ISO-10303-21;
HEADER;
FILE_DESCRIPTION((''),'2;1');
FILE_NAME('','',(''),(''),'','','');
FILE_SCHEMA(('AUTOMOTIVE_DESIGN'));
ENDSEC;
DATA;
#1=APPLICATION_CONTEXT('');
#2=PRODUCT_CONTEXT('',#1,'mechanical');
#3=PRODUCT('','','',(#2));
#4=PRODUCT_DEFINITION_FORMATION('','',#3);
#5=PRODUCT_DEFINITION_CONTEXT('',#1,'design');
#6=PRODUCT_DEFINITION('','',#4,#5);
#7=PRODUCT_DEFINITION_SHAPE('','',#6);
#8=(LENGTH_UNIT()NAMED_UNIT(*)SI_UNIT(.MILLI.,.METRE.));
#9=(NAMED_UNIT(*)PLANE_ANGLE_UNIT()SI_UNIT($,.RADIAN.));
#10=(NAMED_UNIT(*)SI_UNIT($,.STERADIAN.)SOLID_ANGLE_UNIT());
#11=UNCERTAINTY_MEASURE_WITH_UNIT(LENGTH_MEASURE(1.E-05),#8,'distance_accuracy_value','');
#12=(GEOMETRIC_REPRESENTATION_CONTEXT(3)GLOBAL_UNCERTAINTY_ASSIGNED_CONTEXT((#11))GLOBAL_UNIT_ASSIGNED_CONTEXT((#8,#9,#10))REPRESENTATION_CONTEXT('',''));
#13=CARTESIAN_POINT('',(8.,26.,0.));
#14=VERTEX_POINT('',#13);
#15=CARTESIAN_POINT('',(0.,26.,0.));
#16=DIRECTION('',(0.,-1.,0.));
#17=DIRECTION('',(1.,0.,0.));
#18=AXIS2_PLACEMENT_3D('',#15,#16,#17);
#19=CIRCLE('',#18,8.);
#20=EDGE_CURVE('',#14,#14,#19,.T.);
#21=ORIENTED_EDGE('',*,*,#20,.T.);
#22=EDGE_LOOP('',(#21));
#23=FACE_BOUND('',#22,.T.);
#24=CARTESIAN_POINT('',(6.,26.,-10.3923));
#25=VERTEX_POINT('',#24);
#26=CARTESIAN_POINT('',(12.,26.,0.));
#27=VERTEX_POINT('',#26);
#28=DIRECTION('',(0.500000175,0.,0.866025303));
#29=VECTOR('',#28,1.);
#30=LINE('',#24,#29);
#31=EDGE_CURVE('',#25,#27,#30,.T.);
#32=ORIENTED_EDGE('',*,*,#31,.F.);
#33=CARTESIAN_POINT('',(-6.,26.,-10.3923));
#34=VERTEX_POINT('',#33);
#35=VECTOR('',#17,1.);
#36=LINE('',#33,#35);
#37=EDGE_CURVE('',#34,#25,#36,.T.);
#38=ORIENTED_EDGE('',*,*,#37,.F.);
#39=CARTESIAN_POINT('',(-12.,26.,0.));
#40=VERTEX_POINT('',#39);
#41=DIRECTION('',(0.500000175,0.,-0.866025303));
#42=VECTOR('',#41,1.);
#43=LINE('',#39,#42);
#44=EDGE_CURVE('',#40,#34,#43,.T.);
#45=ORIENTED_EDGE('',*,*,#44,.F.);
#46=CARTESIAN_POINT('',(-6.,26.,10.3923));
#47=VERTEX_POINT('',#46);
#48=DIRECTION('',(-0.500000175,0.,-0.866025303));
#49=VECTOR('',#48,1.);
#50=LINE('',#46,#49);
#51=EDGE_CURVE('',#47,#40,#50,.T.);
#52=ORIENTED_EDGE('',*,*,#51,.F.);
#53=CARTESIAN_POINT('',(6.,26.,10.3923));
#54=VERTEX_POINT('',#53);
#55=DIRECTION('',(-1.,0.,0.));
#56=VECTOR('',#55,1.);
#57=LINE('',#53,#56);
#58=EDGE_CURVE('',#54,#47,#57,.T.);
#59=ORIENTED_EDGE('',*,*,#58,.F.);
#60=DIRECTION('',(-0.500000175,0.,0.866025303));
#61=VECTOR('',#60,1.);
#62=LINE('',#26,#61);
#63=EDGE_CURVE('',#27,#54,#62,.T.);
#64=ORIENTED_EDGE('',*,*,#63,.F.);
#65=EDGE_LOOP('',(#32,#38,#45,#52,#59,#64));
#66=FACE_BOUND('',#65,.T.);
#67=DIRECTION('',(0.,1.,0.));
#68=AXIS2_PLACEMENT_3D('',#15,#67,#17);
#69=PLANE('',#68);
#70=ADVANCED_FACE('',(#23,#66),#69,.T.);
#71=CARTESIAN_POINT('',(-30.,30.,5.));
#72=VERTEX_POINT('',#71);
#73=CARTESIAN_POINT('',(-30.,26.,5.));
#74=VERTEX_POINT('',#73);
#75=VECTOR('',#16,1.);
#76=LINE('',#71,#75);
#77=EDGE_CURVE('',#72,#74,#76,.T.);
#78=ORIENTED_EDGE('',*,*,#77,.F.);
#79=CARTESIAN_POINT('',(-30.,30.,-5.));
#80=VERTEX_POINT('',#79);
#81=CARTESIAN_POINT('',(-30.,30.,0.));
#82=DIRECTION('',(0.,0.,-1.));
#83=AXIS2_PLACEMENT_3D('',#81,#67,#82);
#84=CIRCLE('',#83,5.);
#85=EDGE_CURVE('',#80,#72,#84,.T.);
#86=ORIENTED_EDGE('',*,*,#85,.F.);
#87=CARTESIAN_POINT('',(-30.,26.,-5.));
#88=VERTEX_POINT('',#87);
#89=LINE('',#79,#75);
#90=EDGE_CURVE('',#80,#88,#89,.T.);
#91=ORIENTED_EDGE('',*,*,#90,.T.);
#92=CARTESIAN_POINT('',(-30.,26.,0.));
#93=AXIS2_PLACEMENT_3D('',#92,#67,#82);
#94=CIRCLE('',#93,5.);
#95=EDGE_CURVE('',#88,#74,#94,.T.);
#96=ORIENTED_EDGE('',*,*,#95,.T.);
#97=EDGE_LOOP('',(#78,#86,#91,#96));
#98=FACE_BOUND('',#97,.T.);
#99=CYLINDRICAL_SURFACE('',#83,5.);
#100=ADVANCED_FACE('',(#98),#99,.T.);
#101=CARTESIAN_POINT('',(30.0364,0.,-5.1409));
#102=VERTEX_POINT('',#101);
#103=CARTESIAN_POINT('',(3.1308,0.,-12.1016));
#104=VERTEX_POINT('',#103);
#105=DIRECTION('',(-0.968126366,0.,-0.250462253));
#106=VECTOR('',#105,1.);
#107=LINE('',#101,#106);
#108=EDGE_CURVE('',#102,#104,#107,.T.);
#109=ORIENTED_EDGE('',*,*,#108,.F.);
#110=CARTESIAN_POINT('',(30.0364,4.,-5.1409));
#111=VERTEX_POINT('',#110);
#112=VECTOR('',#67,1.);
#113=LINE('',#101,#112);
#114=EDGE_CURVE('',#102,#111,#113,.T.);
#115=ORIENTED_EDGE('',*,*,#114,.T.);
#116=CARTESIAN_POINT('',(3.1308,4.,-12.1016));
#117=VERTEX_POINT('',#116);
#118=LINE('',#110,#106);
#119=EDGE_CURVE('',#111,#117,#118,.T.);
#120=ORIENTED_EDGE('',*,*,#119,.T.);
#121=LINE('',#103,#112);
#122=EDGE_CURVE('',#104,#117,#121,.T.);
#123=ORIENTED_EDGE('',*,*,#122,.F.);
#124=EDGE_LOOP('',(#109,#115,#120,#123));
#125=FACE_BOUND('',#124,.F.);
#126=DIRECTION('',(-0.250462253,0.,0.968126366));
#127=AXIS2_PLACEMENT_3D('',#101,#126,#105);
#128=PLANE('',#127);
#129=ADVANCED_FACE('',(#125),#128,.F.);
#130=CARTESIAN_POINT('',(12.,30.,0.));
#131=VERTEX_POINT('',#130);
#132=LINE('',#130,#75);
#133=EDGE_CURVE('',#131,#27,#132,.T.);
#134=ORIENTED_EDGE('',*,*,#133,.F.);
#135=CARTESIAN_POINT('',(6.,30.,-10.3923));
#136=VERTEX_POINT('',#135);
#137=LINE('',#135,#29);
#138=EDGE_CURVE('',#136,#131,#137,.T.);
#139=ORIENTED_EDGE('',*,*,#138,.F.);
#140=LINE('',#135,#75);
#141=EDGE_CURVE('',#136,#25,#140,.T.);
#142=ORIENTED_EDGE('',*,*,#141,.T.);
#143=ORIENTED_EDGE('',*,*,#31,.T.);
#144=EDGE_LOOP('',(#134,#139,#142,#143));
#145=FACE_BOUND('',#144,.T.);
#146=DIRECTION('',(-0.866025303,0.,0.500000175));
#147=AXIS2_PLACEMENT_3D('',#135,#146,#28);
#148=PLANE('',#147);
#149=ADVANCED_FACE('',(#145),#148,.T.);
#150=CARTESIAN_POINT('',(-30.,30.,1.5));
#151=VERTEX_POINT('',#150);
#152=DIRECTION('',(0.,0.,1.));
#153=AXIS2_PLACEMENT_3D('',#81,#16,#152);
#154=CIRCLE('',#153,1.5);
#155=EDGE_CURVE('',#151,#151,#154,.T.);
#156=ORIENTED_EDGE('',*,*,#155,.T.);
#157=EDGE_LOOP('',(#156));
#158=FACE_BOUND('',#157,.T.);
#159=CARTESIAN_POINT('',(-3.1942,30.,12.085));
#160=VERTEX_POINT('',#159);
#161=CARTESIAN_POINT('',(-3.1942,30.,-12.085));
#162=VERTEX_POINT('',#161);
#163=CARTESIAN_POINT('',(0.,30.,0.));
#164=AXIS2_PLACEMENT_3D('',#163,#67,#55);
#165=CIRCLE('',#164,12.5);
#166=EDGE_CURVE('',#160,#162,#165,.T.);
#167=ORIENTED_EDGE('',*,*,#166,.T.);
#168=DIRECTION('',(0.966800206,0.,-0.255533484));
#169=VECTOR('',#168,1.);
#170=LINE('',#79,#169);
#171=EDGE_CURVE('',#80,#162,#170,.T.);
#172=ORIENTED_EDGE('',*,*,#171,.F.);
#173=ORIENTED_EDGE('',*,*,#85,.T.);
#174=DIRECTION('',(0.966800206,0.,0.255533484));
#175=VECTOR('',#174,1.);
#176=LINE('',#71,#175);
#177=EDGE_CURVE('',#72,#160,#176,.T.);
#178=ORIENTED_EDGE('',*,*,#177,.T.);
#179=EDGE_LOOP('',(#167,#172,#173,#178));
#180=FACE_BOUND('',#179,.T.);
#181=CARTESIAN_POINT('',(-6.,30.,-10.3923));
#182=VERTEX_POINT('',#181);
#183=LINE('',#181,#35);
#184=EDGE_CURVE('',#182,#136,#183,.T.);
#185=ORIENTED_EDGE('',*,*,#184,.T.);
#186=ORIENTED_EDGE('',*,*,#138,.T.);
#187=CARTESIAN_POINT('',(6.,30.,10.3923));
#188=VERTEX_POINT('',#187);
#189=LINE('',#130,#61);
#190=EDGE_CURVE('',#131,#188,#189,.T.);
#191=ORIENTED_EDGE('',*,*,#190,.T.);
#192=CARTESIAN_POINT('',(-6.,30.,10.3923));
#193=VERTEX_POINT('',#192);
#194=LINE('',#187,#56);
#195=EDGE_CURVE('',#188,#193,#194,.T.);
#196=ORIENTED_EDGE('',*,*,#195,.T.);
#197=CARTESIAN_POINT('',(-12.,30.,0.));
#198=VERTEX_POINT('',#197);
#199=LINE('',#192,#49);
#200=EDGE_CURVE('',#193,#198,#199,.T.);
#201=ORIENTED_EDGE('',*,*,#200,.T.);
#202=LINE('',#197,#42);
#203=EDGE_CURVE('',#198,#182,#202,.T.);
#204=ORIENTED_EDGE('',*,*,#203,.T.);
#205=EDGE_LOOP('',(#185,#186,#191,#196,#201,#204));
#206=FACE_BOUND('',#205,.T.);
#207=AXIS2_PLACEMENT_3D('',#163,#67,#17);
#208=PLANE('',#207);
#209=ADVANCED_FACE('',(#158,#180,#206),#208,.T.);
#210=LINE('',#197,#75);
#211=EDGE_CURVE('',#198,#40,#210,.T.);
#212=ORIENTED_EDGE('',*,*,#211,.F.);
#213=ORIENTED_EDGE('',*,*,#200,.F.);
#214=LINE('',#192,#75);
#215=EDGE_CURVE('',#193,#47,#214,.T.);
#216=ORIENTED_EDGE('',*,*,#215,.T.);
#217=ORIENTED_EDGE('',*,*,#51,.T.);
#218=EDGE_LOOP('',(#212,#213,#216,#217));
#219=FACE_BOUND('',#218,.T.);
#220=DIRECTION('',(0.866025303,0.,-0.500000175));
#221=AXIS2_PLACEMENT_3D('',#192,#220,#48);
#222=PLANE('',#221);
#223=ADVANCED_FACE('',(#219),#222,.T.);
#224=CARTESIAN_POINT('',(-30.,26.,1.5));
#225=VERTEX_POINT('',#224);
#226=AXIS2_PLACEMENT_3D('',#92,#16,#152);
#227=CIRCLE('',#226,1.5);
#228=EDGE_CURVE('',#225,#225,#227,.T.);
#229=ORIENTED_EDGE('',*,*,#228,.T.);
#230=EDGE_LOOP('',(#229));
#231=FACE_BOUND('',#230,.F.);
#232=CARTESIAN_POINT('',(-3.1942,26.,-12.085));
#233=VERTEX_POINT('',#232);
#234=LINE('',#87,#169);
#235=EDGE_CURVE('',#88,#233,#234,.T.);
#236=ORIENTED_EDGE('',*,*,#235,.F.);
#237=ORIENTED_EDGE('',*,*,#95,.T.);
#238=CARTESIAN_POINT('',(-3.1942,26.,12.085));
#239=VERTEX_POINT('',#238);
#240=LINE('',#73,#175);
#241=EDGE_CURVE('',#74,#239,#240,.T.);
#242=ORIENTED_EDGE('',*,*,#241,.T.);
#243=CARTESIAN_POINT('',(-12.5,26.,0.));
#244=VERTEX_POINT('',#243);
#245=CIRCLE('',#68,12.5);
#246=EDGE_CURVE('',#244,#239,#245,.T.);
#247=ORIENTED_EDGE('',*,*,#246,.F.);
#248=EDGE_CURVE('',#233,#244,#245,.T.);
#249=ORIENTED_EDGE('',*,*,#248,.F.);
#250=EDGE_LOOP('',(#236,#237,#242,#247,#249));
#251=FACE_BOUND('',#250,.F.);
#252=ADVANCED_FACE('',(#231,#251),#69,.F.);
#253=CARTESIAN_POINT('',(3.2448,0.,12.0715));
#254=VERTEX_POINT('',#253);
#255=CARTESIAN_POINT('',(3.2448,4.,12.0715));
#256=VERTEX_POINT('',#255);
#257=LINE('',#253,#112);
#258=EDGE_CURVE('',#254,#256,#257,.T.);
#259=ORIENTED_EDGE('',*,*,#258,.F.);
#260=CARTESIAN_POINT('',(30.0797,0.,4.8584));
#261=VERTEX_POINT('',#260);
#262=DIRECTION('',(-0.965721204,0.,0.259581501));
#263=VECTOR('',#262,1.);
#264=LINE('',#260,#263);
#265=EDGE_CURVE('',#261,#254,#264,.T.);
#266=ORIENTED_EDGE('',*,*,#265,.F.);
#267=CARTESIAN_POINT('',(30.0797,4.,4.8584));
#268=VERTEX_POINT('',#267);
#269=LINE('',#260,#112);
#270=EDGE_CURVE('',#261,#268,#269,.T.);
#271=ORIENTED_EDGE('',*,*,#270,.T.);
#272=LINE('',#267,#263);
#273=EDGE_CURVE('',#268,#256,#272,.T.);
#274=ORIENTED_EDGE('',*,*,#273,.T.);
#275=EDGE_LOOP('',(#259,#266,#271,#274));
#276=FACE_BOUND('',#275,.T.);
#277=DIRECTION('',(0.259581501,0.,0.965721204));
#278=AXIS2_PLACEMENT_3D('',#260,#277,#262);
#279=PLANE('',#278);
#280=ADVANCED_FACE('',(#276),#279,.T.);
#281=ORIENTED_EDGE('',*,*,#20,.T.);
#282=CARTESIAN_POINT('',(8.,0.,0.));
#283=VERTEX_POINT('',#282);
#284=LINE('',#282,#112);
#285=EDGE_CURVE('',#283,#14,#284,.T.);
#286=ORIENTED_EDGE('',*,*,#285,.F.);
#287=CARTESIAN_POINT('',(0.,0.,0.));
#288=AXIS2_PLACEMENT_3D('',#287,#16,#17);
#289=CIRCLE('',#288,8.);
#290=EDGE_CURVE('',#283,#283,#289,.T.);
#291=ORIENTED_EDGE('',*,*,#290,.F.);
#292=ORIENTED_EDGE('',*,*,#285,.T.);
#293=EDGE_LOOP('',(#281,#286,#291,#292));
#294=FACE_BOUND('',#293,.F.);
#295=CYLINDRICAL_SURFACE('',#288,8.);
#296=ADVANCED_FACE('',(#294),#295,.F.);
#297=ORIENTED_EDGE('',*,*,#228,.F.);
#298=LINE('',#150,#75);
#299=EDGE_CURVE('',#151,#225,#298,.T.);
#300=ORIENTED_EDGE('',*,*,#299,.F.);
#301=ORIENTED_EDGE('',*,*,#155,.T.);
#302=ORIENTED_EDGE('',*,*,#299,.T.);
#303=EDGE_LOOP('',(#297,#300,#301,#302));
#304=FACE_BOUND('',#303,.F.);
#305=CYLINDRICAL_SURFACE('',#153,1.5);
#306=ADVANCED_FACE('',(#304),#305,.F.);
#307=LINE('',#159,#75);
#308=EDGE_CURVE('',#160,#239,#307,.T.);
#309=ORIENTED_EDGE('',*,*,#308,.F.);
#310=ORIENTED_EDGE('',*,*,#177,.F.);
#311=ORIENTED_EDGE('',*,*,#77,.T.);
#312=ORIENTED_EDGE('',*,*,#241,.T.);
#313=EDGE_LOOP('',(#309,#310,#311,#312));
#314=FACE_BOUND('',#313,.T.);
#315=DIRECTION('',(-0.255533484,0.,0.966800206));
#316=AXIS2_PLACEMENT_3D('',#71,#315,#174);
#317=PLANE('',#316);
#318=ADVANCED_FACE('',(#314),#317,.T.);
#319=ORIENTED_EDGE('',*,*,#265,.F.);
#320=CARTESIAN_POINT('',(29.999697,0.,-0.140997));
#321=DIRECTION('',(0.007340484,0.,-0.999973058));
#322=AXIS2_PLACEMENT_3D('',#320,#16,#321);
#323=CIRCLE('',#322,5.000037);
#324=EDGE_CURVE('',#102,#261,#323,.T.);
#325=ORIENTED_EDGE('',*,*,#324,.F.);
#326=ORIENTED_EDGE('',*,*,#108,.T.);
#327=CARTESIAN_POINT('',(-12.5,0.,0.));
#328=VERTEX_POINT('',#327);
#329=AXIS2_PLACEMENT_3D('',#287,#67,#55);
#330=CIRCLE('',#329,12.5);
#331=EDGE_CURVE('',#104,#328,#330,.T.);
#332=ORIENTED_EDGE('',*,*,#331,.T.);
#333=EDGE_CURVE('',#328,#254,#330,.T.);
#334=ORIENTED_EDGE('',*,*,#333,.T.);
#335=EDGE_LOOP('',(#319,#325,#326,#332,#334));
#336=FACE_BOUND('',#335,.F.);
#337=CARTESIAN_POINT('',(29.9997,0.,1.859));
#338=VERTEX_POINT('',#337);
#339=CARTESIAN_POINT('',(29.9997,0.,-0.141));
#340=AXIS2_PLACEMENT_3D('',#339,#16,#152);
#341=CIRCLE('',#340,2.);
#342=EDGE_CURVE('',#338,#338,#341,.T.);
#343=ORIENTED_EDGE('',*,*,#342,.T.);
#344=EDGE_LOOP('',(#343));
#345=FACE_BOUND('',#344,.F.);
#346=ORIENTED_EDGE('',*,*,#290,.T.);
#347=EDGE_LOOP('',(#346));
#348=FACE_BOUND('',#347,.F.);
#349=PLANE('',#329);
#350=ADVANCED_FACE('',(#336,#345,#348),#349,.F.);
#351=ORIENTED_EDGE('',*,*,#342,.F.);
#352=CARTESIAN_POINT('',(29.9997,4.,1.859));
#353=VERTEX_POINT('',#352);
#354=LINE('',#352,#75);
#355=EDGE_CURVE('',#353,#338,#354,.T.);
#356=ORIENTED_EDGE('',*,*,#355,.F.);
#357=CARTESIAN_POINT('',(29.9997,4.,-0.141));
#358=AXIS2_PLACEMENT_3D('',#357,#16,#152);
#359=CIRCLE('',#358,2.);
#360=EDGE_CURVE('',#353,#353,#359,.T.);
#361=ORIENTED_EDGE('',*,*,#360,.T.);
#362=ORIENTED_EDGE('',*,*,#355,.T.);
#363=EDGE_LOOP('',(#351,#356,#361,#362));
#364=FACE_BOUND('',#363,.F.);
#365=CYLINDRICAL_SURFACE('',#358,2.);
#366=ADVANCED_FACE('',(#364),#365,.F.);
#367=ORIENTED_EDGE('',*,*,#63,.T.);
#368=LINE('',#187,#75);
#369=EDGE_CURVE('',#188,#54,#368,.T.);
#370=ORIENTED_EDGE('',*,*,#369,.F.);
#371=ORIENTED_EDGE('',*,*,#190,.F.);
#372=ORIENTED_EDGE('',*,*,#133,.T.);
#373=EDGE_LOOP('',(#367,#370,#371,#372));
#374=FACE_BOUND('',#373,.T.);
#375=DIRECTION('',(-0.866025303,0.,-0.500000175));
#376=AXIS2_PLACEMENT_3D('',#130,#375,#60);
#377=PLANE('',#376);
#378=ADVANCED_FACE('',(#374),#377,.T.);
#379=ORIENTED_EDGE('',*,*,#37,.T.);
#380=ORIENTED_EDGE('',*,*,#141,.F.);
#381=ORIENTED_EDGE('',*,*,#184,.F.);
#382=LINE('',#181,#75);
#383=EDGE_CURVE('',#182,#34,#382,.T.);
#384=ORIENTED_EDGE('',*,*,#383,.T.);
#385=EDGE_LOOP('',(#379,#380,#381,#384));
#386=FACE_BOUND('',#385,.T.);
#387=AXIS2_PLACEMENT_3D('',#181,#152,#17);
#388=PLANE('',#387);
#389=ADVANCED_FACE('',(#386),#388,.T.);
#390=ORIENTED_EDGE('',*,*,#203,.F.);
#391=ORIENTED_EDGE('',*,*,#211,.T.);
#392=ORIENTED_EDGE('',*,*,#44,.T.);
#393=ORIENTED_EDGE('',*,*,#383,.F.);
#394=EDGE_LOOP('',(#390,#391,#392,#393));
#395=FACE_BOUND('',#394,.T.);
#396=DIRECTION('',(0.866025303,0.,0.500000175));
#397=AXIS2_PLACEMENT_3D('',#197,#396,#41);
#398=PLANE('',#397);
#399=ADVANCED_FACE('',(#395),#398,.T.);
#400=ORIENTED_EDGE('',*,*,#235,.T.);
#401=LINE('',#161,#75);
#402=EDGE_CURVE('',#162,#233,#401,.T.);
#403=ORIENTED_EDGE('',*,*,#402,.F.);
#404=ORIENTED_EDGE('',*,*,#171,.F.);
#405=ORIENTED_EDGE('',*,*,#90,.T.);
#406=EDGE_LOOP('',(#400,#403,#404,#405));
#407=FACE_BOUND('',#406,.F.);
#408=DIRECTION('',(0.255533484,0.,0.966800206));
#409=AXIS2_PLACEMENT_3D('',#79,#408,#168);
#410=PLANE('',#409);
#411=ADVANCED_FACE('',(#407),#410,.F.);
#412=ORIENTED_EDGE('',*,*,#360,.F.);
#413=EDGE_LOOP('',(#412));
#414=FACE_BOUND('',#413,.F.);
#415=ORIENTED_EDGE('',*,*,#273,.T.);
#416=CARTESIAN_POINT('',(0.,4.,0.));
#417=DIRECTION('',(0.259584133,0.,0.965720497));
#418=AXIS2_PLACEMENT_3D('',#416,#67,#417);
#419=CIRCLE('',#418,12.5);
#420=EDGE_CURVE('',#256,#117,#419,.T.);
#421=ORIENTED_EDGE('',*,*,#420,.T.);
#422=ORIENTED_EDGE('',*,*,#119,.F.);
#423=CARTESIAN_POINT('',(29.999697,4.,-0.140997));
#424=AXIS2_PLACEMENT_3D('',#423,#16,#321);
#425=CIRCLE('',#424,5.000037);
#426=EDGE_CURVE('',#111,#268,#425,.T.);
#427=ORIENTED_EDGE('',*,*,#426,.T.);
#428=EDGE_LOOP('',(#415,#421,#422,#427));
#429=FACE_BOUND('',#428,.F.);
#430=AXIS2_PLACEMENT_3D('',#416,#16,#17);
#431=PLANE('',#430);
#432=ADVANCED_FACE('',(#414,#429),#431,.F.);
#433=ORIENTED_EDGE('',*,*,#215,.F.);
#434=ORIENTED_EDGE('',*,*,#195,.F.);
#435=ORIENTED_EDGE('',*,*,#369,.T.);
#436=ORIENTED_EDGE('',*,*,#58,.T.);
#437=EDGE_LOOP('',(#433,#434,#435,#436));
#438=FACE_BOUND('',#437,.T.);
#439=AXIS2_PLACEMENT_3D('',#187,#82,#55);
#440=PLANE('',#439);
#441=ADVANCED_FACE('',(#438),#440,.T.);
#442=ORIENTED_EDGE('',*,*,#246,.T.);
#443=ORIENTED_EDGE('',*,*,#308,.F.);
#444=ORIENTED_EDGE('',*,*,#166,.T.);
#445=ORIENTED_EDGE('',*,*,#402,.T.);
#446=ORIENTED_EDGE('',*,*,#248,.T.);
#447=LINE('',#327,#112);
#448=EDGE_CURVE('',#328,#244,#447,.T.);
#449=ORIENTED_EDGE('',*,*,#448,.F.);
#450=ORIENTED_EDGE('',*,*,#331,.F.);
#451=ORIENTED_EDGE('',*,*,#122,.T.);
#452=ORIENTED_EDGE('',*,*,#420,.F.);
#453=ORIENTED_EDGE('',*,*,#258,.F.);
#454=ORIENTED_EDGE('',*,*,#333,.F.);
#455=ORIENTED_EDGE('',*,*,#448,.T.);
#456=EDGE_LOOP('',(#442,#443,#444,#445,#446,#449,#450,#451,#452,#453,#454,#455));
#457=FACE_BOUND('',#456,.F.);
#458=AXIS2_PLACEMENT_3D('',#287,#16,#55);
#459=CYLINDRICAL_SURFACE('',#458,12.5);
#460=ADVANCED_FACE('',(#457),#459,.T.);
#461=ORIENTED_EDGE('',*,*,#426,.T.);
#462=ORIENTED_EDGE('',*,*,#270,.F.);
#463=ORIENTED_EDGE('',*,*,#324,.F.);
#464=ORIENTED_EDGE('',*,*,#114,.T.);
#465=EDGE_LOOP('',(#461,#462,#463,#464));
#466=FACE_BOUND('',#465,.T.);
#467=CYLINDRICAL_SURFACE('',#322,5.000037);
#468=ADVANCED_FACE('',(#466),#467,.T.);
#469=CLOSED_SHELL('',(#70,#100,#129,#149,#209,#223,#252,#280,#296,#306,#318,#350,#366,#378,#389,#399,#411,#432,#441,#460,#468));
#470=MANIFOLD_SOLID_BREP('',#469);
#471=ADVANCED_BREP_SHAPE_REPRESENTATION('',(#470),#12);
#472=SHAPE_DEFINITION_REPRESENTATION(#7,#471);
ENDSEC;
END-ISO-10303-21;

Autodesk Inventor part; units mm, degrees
ref_plane "YZ Plane" through (0, 0, 0) normal (1, 0, 0) x (0, 1, 0)
ref_plane "XZ Plane" through (0, 0, 0) normal (0, 1, 0) x (-1, 0, 0)
sketch "Boceto1" plane through (0, 0, 0) normal (0, 1, 0) x (-1, 0, 0)
  circle A0 centre (0, 0) radius 12.5
  dimension "d0" = 25
extrude "Extrusión1" add sketch "Boceto1" along normal blind 30
sketch "Boceto2" plane through (0, 0, 0) normal (0, -1, 0) x (1, 0, 0)
  circle A0 centre (0, 0) radius 8
  dimension "d3" = 16
extrude "Extrusión2" cut sketch "Boceto2" against normal through all
sketch "Boceto3" plane through (0, 30, 0) normal (0, 1, 0) x (1, 0, 0)
  line L0 (6, 10.3923) -> (12, 0)
  line L1 (12, 0) -> (6, -10.3923)
  line L2 (6, -10.3923) -> (-6, -10.3923)
  line L3 (-6, -10.3923) -> (-12, 0)
  line L4 (-12, 0) -> (-6, 10.3923)
  line L5 (-6, 10.3923) -> (6, 10.3923)
  point P0 (0, 0)
  point P1 (0, 0)
  point P2 (0, 10.3923)
  dimension "d6" = 12
extrude "Extrusión3" cut sketch "Boceto3" against normal blind 4
sketch "Boceto4" plane through (0, 0, 0) normal (0, -1, 0) x (1, 0, 0)
  circle A0 centre (0, 0) radius 12.5 projected
  arc A1 (30.0364, -5.1409) -> (30.0797, 4.8584) centre (29.9997, -0.141) ccw
  line L0 (30.0364, -5.1409) -> (3.1308, -12.1016)
  circle A2 centre (0, 0) radius 12.5 projected
  line L1 (30.0797, 4.8584) -> (3.2448, 12.0715)
  dimension "d9" = 10
  dimension "d10" = 30
extrude "Extrusión4" add sketch "Boceto4" against normal blind 4 contours A0 L1 A1 L0
sketch "Boceto5" plane through (0, 30, 0) normal (0, 1, 0) x (1, 0, 0)
  arc A0 (-30, 5) -> (-30, -5) centre (-30, 0) ccw
  line L0 (-30, -5) -> (-3.1942, -12.085)
  circle A1 centre (0, 0) radius 12.5 projected
  line L1 (-30, 5) -> (-3.1942, 12.085)
  dimension "d13" = 10
  dimension "d14" = 30
extrude "Extrusión5" add sketch "Boceto5" against normal blind 4 contours L1 A1 L0 A0
hole "Agujero1" at (29.9997, 4, -0.141) direction (0, -1, 0) diameter 4 depth 8 tip angle 118
hole "Agujero2" at (-30, 30, 0) direction (0, -1, 0) diameter 3 depth 8 tip angle 118
properties part number "steering_stand_off" material "Goma"
